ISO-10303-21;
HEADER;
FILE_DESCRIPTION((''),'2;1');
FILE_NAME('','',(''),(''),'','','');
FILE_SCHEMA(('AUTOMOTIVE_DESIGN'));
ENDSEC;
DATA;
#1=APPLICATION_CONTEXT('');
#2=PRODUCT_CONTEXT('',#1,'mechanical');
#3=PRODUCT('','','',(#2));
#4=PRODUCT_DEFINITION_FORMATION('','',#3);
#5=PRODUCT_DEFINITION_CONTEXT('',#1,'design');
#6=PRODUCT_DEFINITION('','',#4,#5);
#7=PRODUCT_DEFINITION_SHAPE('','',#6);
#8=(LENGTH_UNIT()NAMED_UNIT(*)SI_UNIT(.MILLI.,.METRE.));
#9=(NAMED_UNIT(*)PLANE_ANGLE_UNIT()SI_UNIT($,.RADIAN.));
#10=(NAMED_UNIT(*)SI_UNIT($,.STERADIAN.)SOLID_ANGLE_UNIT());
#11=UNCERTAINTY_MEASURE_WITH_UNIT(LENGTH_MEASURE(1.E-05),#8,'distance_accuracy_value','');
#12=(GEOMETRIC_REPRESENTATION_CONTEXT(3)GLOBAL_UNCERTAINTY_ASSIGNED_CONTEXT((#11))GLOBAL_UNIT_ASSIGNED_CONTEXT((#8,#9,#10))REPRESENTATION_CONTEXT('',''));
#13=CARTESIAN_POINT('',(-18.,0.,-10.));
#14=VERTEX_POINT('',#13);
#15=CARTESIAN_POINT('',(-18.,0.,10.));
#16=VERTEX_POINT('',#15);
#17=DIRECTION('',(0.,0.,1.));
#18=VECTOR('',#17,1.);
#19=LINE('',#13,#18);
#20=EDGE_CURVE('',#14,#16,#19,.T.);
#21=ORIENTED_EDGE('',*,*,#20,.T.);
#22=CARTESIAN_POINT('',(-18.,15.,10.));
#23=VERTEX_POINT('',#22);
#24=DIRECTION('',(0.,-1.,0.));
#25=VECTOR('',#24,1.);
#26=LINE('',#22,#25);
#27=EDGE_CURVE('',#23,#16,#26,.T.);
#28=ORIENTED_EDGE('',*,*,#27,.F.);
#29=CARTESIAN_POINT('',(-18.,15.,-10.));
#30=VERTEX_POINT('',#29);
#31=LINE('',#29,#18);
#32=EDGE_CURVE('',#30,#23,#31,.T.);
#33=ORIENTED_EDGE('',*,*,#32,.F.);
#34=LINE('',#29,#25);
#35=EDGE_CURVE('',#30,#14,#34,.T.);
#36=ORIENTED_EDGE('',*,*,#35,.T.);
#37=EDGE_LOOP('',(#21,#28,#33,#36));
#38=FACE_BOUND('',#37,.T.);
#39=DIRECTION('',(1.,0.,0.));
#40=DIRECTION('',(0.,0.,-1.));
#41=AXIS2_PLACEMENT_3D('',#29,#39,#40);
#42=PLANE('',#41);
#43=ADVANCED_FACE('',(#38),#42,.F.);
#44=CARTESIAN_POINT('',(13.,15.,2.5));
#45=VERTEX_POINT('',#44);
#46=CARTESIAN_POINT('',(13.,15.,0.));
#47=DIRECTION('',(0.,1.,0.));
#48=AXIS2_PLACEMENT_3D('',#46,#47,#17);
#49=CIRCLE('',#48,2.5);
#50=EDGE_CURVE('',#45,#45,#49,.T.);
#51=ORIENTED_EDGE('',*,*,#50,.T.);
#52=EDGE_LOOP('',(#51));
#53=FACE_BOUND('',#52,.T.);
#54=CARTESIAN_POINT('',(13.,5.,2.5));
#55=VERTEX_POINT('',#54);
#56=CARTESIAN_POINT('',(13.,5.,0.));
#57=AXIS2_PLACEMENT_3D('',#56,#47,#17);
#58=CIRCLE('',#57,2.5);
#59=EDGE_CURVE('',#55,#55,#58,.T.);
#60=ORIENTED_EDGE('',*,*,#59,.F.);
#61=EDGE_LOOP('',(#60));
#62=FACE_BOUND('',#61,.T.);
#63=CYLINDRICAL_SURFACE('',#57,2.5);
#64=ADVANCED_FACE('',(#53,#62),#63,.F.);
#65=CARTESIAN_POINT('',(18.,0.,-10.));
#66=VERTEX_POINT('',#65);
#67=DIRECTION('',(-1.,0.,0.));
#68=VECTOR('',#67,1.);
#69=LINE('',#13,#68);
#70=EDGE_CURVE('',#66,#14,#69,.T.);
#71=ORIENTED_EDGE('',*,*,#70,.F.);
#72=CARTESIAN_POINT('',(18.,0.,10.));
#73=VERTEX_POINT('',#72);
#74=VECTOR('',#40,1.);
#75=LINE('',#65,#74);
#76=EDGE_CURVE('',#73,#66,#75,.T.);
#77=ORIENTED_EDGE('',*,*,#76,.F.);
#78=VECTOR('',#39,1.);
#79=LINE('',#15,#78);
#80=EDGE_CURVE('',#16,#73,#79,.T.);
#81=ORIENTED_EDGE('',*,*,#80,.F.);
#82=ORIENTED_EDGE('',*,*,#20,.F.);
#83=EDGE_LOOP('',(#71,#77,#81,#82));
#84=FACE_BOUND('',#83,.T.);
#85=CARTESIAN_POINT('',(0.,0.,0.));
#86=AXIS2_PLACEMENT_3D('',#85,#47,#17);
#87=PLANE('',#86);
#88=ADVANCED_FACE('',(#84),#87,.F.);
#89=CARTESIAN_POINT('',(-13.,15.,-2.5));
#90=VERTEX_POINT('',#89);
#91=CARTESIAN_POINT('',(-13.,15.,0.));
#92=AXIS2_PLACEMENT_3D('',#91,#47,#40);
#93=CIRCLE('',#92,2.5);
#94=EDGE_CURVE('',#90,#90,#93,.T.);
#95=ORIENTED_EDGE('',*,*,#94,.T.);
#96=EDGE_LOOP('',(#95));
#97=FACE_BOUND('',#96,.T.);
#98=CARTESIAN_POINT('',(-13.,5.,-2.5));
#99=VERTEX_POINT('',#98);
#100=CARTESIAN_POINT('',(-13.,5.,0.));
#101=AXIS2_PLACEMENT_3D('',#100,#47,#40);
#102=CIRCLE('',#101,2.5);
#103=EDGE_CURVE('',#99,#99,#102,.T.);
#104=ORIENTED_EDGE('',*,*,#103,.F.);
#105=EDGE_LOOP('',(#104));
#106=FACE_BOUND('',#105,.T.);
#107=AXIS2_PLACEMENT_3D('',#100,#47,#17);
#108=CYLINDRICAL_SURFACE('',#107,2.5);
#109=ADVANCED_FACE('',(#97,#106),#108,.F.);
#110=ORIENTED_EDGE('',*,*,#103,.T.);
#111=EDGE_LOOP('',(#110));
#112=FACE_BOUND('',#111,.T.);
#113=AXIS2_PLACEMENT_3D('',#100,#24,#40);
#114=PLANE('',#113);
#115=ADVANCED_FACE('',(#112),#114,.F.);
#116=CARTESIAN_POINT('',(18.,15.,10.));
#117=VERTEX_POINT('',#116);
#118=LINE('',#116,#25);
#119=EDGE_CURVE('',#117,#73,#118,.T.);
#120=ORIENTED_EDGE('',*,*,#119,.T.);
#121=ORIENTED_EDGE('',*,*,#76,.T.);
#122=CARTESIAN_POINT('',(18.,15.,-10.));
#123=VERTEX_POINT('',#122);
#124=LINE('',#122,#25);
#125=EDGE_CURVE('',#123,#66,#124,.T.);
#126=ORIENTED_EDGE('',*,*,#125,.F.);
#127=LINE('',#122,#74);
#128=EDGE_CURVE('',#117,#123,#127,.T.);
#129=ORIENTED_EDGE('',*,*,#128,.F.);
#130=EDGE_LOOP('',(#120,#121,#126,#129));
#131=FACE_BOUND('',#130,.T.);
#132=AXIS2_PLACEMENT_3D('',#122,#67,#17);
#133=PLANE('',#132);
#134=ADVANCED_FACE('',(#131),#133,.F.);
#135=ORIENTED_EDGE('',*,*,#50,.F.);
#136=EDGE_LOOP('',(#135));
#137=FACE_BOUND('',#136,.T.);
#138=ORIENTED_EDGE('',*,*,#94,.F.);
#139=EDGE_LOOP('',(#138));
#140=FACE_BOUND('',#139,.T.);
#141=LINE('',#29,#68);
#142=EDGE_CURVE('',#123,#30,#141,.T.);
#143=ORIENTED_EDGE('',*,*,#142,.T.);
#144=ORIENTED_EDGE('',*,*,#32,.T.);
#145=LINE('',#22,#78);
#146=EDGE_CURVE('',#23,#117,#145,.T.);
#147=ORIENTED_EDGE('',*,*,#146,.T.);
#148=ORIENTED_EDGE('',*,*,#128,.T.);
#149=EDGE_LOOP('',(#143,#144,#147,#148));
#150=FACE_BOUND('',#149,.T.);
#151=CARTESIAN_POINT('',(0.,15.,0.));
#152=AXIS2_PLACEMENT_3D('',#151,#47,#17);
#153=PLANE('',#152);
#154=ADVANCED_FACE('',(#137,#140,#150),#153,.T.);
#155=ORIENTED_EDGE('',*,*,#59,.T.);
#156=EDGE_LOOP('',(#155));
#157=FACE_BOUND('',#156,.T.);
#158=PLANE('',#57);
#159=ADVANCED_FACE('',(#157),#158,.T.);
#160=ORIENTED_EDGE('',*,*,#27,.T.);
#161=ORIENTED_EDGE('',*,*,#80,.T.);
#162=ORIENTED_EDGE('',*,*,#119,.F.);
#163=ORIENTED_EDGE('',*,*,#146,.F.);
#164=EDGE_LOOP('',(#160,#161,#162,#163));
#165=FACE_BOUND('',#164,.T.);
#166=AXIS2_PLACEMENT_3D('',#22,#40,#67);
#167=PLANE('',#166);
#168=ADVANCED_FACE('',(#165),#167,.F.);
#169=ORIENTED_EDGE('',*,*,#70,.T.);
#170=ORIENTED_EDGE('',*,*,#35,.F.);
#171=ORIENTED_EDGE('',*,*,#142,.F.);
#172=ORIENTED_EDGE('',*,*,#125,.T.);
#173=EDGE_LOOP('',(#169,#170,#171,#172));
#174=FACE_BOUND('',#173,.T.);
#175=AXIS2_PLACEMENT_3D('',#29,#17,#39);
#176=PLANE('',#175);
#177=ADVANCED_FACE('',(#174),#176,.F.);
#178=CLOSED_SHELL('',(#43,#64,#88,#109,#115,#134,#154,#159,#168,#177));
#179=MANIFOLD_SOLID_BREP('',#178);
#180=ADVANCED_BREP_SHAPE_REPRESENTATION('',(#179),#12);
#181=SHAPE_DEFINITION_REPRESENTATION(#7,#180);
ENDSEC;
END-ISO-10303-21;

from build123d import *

# Parameters (mm, degrees)
SKETCH1_W           = 36
SKETCH1_H           = 20
BOSS_EXTRUDE1_DEPTH = 15
SKETCH4_R           = 2.5
CUT_EXTRUDE1_DEPTH  = 10


with BuildPart() as part:
    # Sketch1 → Boss-Extrude1 (new body)
    with BuildSketch(Plane(origin=(0, 0, 0), x_dir=(1, 0, 0), z_dir=(0, 1, 0))):
        Rectangle(SKETCH1_W, SKETCH1_H)
    extrude(amount=BOSS_EXTRUDE1_DEPTH)

    # Sketch4 → Cut-Extrude1 (cut)
    with BuildSketch(Plane(origin=(0, 15, 0), x_dir=(1, 0, 0), z_dir=(0, 1, 0))):
        with Locations(Location((13, 0, 0), (0, 0, 270))):
            Circle(SKETCH4_R)
        with Locations(Location((-13, 0, 0), (0, 0, 90))):
            Circle(SKETCH4_R)
    extrude(amount=-CUT_EXTRUDE1_DEPTH, mode=Mode.SUBTRACT)


solid = part.part
